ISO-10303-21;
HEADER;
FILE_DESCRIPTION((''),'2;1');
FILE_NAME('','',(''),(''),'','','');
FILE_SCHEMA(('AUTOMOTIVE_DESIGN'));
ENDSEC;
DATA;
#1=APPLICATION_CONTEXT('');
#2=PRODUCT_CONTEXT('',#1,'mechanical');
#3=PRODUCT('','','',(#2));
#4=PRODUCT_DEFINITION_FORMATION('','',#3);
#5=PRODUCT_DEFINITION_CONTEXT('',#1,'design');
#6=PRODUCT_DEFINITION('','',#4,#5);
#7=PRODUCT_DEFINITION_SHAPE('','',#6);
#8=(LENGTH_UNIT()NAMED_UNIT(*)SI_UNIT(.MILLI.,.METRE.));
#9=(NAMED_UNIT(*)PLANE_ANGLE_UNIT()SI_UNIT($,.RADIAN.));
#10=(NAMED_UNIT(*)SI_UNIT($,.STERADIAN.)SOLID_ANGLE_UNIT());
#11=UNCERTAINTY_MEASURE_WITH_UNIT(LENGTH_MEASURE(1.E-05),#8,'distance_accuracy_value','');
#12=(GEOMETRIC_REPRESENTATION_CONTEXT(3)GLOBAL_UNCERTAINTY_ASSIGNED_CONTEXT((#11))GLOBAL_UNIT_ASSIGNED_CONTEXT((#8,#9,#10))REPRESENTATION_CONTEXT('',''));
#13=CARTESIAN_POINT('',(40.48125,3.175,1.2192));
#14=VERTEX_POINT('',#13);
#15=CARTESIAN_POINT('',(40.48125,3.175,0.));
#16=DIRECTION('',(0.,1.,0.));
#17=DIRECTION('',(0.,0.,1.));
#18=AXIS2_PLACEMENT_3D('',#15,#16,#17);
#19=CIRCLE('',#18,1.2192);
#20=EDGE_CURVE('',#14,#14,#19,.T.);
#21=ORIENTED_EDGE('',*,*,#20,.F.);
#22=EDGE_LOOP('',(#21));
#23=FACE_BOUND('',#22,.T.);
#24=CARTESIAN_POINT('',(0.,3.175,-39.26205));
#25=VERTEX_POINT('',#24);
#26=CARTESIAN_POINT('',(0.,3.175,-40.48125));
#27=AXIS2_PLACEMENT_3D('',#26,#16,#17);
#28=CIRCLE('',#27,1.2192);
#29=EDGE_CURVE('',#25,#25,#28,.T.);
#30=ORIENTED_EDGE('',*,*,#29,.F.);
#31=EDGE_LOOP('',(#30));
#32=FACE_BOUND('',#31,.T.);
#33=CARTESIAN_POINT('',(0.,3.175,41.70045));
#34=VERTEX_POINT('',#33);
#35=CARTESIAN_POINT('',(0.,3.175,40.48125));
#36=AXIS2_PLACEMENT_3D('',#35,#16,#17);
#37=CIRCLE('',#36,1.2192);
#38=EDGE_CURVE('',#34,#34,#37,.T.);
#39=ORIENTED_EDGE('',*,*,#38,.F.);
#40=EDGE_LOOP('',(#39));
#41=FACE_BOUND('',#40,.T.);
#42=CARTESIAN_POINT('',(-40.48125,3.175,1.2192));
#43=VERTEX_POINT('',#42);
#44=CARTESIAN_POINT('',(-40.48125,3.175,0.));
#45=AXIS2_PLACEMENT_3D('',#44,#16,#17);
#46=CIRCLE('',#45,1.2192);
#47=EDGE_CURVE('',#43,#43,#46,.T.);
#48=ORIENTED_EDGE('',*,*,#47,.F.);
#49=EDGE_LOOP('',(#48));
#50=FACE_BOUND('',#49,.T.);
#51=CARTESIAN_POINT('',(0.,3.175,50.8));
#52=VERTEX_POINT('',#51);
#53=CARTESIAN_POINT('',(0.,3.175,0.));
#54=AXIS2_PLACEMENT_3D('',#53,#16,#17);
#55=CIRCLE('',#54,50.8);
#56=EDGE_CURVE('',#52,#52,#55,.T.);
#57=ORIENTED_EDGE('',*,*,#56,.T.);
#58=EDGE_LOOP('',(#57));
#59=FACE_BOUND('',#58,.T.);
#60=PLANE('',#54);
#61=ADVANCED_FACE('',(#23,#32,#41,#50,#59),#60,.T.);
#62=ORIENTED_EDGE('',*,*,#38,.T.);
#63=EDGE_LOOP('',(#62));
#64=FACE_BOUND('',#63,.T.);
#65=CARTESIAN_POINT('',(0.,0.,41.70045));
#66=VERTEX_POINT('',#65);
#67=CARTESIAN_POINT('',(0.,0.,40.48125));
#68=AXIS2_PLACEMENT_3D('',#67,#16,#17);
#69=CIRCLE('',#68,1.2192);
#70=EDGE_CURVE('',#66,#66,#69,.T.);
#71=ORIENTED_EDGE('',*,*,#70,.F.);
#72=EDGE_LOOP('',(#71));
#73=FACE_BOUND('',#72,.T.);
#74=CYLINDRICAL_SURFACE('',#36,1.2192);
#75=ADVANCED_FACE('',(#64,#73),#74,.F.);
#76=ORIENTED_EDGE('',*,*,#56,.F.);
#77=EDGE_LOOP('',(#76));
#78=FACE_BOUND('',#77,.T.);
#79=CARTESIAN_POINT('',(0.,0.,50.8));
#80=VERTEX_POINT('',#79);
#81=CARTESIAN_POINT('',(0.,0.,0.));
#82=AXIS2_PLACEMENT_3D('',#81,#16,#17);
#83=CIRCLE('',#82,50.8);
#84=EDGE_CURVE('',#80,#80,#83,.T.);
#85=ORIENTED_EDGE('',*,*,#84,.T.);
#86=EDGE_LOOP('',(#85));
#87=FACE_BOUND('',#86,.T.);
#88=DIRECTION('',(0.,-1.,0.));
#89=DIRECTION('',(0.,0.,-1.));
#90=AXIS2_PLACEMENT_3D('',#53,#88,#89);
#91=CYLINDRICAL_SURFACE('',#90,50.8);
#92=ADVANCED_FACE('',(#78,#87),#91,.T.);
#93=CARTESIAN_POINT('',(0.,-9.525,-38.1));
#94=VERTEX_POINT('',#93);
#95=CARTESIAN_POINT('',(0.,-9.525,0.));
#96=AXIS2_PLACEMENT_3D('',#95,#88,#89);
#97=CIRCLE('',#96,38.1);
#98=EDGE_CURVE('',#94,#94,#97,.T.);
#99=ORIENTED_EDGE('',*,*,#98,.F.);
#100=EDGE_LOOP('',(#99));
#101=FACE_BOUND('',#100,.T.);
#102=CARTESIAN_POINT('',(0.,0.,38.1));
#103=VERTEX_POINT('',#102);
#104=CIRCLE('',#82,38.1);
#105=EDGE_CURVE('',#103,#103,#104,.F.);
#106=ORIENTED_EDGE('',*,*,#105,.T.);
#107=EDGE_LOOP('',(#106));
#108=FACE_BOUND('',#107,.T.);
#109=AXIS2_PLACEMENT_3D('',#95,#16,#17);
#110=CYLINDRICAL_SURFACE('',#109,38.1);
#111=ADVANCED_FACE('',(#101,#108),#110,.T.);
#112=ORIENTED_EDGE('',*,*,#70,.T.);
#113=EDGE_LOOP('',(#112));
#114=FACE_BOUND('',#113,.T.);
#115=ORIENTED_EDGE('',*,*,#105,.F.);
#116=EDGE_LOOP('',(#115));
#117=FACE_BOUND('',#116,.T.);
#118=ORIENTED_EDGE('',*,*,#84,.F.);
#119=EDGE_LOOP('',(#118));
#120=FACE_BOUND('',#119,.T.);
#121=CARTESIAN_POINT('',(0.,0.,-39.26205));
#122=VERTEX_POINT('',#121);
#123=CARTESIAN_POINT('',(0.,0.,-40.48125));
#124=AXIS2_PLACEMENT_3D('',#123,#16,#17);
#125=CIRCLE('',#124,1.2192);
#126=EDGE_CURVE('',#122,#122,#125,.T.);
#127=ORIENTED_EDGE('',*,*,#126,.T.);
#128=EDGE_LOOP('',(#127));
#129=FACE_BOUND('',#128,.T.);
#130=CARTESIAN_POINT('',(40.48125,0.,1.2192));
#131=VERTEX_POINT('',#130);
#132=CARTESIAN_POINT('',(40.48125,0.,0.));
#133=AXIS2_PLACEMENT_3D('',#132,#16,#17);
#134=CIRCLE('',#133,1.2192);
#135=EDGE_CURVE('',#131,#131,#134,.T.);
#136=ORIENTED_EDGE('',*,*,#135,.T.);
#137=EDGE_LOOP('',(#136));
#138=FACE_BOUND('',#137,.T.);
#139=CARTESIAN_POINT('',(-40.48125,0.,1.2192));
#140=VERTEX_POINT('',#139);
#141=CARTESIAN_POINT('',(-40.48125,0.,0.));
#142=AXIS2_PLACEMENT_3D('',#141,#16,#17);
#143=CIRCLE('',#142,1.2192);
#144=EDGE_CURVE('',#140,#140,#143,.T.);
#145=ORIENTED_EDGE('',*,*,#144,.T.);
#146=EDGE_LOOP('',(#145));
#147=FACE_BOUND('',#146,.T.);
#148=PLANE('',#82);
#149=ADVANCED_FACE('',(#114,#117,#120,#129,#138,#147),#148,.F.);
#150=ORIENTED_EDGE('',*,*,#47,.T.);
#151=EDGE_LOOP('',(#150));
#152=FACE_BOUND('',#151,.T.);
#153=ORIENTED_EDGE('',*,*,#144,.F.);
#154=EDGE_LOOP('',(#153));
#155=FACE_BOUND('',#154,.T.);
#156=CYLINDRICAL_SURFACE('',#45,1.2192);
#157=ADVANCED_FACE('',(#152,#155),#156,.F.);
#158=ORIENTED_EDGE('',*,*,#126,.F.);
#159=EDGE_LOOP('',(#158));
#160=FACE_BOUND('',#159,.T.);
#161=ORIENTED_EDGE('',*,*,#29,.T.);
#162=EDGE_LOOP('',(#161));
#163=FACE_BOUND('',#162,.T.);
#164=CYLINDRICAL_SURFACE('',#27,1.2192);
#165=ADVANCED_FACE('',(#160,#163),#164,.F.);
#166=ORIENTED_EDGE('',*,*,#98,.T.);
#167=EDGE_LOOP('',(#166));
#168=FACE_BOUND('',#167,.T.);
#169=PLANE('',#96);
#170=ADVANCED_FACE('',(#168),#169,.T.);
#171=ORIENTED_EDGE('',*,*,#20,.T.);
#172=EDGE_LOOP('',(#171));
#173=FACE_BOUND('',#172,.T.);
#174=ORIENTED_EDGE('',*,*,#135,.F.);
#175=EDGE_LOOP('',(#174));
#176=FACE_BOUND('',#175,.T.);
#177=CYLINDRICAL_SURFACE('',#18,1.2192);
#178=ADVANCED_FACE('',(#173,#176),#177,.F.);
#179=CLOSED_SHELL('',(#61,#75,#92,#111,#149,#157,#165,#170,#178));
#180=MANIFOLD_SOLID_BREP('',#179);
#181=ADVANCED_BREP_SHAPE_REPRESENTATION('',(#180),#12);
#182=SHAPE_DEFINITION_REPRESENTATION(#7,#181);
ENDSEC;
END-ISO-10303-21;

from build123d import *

# Parameters (mm, degrees)
SKETCH1_R                 = 50.8
BOSS_EXTRUDE1_DEPTH       = 3.175
SKETCH2_R                 = 38.1
BOSS_EXTRUDE2_DEPTH       = 9.525
F_2_CLEARANCE_HOLE1_D     = 2.4384
F_2_CLEARANCE_HOLE1_DEPTH = 25.4
F_2_CLEARANCE_HOLE1_TIP   = 0.732569267


with BuildPart() as part:
    # Sketch1 → Boss-Extrude1 (new body)
    with BuildSketch(Plane(origin=(0, 0, 0), x_dir=(1, 0, 0), z_dir=(0, 1, 0))):
        Circle(SKETCH1_R)
    extrude(amount=BOSS_EXTRUDE1_DEPTH)

    # Sketch2 → Boss-Extrude2 (add)
    with BuildSketch(Plane.XZ):
        Circle(SKETCH2_R)
    extrude(amount=BOSS_EXTRUDE2_DEPTH)

    # #2 Clearance Hole1
    with Locations(Plane(origin=(0, 3.175, 0), x_dir=(-1, 0, 0), z_dir=(0, 1, 0))):
        with Locations((0, -40.48125), (-40.48125, 0), (40.48125, 0), (0, 40.48125)):
            Hole(F_2_CLEARANCE_HOLE1_D / 2, depth=F_2_CLEARANCE_HOLE1_DEPTH)
            with Locations((0, 0, -(F_2_CLEARANCE_HOLE1_DEPTH + F_2_CLEARANCE_HOLE1_TIP / 2))):  # 118° drill point
                Cone(0, F_2_CLEARANCE_HOLE1_D / 2, F_2_CLEARANCE_HOLE1_TIP, mode=Mode.SUBTRACT)


solid = part.part
